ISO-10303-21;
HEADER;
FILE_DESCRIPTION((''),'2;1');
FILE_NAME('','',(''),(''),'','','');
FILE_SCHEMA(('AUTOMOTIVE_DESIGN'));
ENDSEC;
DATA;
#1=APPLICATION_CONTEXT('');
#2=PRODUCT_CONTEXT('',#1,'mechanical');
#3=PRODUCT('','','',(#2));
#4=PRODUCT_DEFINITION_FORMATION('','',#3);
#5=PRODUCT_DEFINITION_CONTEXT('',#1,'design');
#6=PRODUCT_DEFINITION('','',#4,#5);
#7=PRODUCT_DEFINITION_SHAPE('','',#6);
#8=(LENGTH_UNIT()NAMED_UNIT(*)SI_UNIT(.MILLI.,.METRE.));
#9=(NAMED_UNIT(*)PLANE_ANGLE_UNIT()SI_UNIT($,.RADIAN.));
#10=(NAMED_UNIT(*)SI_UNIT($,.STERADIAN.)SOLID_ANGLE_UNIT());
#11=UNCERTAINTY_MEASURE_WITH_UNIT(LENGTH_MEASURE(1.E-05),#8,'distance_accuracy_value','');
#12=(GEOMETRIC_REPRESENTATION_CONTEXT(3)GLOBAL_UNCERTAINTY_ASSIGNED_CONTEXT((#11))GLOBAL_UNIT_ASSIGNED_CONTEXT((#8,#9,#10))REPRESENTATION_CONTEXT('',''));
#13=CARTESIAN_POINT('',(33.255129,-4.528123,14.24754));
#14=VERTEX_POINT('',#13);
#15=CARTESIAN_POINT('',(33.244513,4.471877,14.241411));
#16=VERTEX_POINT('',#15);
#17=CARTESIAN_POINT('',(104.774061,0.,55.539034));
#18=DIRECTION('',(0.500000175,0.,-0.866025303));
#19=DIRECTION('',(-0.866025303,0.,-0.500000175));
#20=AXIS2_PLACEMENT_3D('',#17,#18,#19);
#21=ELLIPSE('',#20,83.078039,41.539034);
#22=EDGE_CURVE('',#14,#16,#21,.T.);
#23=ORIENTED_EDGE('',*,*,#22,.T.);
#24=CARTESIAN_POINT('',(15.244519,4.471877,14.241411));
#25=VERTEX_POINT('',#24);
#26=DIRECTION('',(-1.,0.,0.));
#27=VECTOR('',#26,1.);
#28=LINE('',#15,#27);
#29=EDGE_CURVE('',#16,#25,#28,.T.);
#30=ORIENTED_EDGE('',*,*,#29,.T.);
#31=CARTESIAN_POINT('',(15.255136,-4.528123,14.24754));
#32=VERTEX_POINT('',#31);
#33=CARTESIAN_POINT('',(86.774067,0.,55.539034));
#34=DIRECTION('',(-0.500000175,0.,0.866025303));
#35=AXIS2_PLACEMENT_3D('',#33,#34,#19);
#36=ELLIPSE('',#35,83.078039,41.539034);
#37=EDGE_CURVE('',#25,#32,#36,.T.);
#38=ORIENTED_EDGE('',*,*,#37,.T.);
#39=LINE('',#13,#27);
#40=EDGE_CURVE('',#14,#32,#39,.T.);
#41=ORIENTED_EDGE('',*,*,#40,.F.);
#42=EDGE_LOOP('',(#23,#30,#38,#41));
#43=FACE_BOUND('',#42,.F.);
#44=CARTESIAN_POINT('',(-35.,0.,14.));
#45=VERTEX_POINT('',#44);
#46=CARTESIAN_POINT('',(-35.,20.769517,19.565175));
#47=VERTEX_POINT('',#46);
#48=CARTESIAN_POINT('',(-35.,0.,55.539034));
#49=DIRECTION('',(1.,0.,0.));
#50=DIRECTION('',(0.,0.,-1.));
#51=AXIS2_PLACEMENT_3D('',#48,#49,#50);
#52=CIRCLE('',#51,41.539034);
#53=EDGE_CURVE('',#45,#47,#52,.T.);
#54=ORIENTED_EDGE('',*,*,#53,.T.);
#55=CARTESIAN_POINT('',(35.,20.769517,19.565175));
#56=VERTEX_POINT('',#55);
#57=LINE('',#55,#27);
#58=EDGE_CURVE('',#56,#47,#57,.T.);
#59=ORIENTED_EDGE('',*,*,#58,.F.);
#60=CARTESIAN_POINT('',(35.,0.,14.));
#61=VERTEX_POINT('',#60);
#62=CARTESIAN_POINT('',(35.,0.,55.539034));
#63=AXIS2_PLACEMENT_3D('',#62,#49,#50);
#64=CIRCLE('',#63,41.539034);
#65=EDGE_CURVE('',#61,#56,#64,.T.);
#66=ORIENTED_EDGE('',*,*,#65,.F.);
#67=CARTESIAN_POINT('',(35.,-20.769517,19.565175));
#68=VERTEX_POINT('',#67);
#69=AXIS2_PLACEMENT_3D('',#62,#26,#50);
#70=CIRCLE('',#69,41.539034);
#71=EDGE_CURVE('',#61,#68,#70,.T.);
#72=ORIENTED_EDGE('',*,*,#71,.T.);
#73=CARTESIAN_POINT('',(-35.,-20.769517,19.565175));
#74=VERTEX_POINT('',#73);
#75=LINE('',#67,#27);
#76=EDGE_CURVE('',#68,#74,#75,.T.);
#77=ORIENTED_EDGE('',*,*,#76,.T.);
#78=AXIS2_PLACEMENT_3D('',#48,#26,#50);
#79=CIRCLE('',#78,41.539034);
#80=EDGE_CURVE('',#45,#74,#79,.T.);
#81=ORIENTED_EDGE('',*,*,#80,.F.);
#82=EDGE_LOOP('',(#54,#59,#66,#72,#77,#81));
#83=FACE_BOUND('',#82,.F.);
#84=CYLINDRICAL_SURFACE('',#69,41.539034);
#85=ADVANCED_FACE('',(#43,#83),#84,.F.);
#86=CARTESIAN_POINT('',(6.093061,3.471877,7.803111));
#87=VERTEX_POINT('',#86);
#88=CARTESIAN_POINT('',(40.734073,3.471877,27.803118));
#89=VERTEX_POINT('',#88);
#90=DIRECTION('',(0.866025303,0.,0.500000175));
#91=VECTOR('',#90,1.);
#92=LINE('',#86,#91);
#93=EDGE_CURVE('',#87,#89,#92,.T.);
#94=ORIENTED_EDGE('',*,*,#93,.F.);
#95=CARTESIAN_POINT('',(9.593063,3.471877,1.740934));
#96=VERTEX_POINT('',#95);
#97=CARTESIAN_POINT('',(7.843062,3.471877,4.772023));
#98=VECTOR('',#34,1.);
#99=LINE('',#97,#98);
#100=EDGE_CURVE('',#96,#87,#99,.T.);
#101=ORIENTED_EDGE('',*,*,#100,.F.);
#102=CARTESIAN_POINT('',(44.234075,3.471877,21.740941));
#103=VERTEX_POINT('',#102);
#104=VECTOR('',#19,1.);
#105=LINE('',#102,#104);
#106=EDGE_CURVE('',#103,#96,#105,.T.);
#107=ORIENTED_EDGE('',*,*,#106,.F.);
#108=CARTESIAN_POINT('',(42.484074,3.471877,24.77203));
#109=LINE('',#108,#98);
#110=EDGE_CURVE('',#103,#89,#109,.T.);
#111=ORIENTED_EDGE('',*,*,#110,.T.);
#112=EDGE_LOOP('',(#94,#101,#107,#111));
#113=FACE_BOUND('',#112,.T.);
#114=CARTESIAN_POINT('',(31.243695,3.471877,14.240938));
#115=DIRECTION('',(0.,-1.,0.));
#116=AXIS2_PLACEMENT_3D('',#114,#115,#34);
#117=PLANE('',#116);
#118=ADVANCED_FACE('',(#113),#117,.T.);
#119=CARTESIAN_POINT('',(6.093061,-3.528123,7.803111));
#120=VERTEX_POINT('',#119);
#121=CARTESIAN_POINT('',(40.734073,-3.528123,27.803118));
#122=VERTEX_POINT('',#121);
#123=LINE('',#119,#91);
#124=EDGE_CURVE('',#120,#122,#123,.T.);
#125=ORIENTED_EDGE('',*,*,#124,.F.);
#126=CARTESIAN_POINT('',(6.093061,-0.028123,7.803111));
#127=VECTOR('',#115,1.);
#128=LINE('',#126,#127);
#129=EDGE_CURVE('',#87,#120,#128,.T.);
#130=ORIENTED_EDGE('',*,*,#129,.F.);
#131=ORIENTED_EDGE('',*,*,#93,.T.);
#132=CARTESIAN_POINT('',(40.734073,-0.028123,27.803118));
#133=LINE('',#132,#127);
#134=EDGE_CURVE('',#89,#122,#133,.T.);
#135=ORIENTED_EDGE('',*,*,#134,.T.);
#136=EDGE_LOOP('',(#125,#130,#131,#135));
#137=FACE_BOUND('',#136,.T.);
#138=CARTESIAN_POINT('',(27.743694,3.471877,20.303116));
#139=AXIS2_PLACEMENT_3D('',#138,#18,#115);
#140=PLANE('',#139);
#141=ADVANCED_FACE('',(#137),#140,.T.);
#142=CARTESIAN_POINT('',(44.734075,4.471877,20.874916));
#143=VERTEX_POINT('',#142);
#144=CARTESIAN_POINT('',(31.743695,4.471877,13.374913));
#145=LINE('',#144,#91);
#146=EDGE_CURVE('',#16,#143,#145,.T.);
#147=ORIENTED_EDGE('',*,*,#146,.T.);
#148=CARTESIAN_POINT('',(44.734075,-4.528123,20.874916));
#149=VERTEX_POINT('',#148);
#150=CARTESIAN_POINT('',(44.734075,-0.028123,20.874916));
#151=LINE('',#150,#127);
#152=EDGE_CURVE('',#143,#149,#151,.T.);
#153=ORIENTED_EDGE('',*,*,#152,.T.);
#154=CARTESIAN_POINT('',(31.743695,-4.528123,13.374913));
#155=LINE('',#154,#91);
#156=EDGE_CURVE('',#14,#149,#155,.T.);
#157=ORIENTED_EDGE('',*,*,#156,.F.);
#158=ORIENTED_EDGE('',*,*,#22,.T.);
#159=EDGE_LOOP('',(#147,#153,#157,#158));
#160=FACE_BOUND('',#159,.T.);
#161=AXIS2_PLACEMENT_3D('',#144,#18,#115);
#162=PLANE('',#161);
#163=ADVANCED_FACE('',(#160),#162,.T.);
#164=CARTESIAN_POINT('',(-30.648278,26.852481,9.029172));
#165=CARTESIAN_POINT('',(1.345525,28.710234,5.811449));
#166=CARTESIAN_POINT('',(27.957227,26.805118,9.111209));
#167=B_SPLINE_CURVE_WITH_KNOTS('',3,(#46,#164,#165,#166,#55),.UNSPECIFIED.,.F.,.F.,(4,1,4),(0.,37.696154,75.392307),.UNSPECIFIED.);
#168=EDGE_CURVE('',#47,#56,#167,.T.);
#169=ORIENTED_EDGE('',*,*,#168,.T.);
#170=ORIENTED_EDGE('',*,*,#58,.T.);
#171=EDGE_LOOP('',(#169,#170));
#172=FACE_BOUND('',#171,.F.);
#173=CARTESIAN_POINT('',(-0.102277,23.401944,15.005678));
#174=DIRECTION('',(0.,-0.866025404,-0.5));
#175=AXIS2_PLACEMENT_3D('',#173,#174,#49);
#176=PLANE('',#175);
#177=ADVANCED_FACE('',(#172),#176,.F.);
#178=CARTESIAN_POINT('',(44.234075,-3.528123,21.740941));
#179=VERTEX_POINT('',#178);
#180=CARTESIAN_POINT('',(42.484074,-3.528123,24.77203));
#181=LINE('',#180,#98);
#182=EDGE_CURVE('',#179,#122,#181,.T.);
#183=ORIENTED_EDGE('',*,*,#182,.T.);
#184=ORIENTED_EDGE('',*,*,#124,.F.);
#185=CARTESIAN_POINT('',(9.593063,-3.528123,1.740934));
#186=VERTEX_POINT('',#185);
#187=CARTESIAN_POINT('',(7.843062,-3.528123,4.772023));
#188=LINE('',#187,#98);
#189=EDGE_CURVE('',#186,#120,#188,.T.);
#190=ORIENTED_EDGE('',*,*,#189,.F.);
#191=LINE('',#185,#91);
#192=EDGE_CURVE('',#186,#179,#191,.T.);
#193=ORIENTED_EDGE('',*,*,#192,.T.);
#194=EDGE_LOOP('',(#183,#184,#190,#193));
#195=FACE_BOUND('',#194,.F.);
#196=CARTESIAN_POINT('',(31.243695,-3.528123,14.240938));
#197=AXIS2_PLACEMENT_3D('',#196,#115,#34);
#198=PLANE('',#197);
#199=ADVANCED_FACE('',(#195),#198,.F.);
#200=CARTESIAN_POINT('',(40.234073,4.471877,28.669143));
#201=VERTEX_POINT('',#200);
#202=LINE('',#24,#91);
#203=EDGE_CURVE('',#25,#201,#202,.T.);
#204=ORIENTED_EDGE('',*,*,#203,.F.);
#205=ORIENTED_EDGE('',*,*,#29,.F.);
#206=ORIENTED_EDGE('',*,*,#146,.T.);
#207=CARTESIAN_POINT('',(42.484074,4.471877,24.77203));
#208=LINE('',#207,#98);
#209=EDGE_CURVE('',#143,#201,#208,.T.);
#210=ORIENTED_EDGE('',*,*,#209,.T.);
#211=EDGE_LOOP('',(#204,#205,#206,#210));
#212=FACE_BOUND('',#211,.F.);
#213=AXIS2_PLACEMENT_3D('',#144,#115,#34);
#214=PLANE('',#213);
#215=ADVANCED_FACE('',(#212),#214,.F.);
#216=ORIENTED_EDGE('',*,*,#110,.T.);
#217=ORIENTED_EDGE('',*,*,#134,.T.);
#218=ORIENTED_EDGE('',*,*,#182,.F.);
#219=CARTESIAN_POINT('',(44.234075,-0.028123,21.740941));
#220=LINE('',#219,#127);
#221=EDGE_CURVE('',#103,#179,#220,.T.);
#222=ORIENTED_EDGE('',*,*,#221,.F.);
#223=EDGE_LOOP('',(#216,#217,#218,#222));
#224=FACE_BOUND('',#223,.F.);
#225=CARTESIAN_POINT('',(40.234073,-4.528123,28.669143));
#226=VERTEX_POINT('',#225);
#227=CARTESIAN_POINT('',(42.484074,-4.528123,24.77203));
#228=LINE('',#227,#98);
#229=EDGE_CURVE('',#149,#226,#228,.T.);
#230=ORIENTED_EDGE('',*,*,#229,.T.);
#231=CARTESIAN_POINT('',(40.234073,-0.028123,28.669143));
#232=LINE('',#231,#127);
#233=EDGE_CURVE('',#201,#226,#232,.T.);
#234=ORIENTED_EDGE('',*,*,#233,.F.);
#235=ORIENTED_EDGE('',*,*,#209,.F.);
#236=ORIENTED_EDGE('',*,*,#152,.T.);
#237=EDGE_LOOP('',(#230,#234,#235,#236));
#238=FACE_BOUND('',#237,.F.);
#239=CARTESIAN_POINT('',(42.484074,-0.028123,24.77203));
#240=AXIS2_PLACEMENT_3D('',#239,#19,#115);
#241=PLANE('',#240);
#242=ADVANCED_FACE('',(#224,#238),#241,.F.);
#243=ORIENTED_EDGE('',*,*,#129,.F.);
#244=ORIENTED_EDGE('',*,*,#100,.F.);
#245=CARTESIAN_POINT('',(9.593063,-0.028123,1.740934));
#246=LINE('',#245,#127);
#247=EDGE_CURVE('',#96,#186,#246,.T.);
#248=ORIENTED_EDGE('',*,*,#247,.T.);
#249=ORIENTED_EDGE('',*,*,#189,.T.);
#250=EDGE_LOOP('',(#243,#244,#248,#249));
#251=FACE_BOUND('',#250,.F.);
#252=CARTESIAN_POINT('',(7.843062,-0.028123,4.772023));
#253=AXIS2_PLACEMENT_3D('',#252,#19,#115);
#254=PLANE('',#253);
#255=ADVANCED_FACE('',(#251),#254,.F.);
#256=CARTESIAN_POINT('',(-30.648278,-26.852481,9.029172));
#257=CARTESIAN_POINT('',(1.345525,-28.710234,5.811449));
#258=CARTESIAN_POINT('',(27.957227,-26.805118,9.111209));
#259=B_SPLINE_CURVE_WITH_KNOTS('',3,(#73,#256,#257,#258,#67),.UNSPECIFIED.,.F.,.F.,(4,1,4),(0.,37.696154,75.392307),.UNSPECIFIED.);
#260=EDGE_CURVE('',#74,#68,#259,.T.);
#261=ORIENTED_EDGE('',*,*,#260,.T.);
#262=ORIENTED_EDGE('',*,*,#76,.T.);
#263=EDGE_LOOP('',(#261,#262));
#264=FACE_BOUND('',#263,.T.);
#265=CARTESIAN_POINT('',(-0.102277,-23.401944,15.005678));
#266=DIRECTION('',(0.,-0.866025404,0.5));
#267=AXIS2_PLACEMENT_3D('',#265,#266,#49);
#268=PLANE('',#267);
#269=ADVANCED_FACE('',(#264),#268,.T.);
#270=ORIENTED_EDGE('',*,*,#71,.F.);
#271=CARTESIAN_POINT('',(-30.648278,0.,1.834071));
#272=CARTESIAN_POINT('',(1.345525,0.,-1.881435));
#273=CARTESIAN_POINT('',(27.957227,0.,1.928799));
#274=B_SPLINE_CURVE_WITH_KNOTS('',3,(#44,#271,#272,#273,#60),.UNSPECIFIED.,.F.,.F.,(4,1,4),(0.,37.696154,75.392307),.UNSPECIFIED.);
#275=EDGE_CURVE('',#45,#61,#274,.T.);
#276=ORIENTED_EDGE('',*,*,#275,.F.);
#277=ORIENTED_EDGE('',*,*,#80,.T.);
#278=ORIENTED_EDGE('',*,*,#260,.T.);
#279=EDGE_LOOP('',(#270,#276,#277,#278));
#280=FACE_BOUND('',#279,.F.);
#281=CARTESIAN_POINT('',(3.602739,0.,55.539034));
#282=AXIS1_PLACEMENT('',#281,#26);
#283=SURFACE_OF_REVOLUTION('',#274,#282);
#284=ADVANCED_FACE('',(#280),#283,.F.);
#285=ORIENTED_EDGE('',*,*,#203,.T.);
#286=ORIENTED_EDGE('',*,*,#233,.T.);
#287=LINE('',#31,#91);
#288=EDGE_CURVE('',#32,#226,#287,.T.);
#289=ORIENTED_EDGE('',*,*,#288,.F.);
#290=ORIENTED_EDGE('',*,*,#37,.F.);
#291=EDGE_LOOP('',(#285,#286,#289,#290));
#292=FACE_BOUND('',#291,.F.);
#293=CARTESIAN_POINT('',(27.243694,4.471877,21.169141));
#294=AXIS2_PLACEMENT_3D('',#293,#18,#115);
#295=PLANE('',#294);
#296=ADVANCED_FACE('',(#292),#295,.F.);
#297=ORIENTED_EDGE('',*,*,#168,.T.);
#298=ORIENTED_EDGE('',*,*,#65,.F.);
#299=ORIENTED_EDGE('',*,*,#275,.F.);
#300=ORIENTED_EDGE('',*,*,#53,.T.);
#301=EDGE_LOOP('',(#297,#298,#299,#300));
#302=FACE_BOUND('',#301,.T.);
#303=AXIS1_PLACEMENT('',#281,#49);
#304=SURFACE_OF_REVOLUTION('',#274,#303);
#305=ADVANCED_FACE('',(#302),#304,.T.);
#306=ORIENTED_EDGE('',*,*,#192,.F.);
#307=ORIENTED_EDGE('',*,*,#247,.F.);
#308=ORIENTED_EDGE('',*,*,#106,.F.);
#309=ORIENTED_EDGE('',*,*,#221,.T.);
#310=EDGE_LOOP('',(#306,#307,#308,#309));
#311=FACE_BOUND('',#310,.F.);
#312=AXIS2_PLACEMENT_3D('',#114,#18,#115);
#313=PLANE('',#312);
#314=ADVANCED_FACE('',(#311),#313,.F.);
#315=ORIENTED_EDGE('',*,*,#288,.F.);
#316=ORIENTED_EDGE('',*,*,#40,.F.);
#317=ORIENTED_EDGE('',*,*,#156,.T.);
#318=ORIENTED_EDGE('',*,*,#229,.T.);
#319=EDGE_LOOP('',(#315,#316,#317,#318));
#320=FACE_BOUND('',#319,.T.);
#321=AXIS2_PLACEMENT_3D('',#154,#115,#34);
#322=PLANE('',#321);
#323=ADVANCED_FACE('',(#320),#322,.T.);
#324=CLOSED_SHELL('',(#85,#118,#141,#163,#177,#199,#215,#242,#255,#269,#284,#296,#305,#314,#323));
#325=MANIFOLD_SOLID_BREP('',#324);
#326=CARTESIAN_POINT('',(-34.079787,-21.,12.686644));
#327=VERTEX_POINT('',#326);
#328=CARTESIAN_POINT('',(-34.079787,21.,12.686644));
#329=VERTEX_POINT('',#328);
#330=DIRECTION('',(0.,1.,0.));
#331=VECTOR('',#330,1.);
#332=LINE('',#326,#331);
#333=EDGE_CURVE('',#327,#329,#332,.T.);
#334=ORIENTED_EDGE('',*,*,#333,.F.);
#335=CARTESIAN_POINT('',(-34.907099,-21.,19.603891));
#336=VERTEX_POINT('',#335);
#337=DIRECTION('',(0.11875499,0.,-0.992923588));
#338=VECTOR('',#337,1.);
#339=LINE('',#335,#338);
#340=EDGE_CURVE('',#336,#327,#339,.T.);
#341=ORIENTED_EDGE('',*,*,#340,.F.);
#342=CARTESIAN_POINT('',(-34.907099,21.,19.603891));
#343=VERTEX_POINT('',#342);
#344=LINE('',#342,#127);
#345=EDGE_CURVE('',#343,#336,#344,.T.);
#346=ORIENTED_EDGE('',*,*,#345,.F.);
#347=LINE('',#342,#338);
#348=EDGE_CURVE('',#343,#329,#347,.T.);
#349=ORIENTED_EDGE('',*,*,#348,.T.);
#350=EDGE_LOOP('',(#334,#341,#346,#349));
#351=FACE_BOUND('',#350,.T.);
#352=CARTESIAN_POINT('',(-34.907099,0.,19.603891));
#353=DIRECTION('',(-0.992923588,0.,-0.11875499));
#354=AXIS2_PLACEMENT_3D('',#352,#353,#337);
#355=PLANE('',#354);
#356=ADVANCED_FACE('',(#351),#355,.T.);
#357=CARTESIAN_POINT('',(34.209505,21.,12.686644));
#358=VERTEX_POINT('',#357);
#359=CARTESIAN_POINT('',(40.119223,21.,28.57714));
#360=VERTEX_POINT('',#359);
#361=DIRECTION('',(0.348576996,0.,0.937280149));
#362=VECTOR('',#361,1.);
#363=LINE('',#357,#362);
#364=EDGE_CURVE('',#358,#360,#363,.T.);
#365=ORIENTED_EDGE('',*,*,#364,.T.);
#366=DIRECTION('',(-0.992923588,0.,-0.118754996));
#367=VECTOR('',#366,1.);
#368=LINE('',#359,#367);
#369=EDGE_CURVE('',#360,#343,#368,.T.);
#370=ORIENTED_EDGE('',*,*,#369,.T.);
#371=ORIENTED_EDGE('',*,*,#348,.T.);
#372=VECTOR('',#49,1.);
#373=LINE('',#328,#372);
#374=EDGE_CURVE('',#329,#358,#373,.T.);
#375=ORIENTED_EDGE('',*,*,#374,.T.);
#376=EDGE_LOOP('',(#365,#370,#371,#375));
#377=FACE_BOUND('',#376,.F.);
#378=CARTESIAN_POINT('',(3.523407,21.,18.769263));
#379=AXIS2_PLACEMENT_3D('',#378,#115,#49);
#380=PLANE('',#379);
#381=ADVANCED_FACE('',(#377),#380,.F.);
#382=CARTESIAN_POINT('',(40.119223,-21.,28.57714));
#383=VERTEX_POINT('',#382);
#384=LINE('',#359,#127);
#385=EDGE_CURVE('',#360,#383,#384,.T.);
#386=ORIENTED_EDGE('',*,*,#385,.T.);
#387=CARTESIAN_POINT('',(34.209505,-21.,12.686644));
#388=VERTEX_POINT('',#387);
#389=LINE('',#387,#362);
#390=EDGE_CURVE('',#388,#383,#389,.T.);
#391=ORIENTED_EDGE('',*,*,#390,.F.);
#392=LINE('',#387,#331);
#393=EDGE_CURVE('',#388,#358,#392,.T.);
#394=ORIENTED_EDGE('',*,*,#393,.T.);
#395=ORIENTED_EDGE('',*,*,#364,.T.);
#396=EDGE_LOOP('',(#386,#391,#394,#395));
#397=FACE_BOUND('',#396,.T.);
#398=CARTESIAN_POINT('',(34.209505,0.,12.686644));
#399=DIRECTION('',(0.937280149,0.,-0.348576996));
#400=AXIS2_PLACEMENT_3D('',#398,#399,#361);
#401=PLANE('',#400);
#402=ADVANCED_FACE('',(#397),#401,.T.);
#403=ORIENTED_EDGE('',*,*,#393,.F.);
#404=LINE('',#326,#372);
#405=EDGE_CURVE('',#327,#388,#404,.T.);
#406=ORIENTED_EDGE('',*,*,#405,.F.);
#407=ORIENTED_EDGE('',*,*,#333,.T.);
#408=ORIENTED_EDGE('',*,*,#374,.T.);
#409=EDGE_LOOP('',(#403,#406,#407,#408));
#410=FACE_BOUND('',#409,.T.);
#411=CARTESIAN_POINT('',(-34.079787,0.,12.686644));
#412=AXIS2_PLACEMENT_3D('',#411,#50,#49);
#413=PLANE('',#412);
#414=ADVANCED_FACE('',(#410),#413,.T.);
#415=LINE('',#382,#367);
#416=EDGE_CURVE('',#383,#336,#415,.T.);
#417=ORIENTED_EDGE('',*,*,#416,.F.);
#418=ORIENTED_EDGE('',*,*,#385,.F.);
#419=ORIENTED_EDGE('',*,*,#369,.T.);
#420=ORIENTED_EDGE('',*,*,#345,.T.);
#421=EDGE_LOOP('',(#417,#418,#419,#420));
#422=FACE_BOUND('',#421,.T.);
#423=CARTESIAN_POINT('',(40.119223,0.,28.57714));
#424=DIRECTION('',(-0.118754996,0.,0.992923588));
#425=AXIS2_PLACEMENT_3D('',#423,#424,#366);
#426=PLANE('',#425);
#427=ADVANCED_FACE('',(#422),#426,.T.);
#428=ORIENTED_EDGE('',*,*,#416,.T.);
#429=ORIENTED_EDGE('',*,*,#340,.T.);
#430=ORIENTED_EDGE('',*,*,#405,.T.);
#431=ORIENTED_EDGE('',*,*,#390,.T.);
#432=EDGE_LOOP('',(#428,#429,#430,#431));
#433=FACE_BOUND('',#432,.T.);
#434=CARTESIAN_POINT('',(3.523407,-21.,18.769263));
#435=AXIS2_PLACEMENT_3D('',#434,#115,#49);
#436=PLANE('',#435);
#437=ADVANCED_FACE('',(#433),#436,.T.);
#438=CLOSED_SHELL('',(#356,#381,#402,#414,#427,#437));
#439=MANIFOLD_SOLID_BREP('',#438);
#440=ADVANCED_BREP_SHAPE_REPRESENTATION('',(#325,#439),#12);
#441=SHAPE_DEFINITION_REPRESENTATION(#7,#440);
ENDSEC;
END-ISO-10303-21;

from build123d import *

# Parameters (mm, degrees)
F1_ANGLE = 60
F4_W     = 9
F4_H     = 9
F4_W_2   = 7
F4_H_2   = 7
F5_DEPTH = 25
F6_DEPTH = 15
F7_DEPTH = 25
F9_DEPTH = 21


with BuildPart() as f1:
    # F0 (on Front) → F1 (revolve, symmetric)
    with BuildSketch(Plane.XZ) as f1_sk:
        with BuildLine():
            add(Edge.make_bspline(
                [(-35, 14), (-30.648278, 1.834071), (1.345525, -1.881435), (27.957227, 1.928799), (35, 14)],
                knots=[0, 0, 0, 0, 37.696154, 75.392307, 75.392307, 75.392307, 75.392307], degree=3))
            Line((35, 14), (-35, 14))
        make_face()
    revolve(axis=Axis((3.602739, 0, 55.539034), (1, 0, 0)), revolution_arc=F1_ANGLE / 2)
    revolve(f1_sk.sketch, axis=Axis((3.602739, 0, 55.539034), (-1, 0, 0)), revolution_arc=F1_ANGLE / 2)

    # F4 (on face) → F5 (join)
    with BuildSketch(Plane(origin=(29.599278, 0, 17.089151), x_dir=(0, -1, 0), z_dir=(-0.866025, 0, -0.5))):
        with Locations((0.028123, 0.211167)):
            Rectangle(F4_W, F4_H)
        with Locations((0.028123, 0.211167)):
            Rectangle(F4_W_2, F4_H_2, mode=Mode.SUBTRACT)
    extrude(amount=F5_DEPTH)

    # F4 (on face) → F6 (join)
    with BuildSketch(Plane(origin=(29.599278, 0, 17.089151), x_dir=(0, -1, 0), z_dir=(-0.866025, 0, -0.5))):
        with Locations((0.028123, 0.211167)):
            Rectangle(F4_W, F4_H)
        with Locations((0.028123, 0.211167)):
            Rectangle(F4_W_2, F4_H_2, mode=Mode.SUBTRACT)
    extrude(amount=-F6_DEPTH)

    # F4 (on face) → F7 (cut)
    with BuildSketch(Plane(origin=(29.599278, 0, 17.089151), x_dir=(0, -1, 0), z_dir=(-0.866025, 0, -0.5))):
        with Locations((0.028123, 0.211167)):
            Rectangle(F4_W_2, F4_H_2)
    extrude(amount=F7_DEPTH, mode=Mode.SUBTRACT)


with BuildPart() as f9:
    # F8 (on Front) → F9 (new body, symmetric)
    with BuildSketch(Plane.XZ):
        Polygon((34.209505, 12.686644), (40.119223, 28.57714), (-34.907099, 19.603891), (-34.079787, 12.686644), align=None)
    extrude(amount=F9_DEPTH, both=True)


solid = Compound([f1.part, f9.part])
